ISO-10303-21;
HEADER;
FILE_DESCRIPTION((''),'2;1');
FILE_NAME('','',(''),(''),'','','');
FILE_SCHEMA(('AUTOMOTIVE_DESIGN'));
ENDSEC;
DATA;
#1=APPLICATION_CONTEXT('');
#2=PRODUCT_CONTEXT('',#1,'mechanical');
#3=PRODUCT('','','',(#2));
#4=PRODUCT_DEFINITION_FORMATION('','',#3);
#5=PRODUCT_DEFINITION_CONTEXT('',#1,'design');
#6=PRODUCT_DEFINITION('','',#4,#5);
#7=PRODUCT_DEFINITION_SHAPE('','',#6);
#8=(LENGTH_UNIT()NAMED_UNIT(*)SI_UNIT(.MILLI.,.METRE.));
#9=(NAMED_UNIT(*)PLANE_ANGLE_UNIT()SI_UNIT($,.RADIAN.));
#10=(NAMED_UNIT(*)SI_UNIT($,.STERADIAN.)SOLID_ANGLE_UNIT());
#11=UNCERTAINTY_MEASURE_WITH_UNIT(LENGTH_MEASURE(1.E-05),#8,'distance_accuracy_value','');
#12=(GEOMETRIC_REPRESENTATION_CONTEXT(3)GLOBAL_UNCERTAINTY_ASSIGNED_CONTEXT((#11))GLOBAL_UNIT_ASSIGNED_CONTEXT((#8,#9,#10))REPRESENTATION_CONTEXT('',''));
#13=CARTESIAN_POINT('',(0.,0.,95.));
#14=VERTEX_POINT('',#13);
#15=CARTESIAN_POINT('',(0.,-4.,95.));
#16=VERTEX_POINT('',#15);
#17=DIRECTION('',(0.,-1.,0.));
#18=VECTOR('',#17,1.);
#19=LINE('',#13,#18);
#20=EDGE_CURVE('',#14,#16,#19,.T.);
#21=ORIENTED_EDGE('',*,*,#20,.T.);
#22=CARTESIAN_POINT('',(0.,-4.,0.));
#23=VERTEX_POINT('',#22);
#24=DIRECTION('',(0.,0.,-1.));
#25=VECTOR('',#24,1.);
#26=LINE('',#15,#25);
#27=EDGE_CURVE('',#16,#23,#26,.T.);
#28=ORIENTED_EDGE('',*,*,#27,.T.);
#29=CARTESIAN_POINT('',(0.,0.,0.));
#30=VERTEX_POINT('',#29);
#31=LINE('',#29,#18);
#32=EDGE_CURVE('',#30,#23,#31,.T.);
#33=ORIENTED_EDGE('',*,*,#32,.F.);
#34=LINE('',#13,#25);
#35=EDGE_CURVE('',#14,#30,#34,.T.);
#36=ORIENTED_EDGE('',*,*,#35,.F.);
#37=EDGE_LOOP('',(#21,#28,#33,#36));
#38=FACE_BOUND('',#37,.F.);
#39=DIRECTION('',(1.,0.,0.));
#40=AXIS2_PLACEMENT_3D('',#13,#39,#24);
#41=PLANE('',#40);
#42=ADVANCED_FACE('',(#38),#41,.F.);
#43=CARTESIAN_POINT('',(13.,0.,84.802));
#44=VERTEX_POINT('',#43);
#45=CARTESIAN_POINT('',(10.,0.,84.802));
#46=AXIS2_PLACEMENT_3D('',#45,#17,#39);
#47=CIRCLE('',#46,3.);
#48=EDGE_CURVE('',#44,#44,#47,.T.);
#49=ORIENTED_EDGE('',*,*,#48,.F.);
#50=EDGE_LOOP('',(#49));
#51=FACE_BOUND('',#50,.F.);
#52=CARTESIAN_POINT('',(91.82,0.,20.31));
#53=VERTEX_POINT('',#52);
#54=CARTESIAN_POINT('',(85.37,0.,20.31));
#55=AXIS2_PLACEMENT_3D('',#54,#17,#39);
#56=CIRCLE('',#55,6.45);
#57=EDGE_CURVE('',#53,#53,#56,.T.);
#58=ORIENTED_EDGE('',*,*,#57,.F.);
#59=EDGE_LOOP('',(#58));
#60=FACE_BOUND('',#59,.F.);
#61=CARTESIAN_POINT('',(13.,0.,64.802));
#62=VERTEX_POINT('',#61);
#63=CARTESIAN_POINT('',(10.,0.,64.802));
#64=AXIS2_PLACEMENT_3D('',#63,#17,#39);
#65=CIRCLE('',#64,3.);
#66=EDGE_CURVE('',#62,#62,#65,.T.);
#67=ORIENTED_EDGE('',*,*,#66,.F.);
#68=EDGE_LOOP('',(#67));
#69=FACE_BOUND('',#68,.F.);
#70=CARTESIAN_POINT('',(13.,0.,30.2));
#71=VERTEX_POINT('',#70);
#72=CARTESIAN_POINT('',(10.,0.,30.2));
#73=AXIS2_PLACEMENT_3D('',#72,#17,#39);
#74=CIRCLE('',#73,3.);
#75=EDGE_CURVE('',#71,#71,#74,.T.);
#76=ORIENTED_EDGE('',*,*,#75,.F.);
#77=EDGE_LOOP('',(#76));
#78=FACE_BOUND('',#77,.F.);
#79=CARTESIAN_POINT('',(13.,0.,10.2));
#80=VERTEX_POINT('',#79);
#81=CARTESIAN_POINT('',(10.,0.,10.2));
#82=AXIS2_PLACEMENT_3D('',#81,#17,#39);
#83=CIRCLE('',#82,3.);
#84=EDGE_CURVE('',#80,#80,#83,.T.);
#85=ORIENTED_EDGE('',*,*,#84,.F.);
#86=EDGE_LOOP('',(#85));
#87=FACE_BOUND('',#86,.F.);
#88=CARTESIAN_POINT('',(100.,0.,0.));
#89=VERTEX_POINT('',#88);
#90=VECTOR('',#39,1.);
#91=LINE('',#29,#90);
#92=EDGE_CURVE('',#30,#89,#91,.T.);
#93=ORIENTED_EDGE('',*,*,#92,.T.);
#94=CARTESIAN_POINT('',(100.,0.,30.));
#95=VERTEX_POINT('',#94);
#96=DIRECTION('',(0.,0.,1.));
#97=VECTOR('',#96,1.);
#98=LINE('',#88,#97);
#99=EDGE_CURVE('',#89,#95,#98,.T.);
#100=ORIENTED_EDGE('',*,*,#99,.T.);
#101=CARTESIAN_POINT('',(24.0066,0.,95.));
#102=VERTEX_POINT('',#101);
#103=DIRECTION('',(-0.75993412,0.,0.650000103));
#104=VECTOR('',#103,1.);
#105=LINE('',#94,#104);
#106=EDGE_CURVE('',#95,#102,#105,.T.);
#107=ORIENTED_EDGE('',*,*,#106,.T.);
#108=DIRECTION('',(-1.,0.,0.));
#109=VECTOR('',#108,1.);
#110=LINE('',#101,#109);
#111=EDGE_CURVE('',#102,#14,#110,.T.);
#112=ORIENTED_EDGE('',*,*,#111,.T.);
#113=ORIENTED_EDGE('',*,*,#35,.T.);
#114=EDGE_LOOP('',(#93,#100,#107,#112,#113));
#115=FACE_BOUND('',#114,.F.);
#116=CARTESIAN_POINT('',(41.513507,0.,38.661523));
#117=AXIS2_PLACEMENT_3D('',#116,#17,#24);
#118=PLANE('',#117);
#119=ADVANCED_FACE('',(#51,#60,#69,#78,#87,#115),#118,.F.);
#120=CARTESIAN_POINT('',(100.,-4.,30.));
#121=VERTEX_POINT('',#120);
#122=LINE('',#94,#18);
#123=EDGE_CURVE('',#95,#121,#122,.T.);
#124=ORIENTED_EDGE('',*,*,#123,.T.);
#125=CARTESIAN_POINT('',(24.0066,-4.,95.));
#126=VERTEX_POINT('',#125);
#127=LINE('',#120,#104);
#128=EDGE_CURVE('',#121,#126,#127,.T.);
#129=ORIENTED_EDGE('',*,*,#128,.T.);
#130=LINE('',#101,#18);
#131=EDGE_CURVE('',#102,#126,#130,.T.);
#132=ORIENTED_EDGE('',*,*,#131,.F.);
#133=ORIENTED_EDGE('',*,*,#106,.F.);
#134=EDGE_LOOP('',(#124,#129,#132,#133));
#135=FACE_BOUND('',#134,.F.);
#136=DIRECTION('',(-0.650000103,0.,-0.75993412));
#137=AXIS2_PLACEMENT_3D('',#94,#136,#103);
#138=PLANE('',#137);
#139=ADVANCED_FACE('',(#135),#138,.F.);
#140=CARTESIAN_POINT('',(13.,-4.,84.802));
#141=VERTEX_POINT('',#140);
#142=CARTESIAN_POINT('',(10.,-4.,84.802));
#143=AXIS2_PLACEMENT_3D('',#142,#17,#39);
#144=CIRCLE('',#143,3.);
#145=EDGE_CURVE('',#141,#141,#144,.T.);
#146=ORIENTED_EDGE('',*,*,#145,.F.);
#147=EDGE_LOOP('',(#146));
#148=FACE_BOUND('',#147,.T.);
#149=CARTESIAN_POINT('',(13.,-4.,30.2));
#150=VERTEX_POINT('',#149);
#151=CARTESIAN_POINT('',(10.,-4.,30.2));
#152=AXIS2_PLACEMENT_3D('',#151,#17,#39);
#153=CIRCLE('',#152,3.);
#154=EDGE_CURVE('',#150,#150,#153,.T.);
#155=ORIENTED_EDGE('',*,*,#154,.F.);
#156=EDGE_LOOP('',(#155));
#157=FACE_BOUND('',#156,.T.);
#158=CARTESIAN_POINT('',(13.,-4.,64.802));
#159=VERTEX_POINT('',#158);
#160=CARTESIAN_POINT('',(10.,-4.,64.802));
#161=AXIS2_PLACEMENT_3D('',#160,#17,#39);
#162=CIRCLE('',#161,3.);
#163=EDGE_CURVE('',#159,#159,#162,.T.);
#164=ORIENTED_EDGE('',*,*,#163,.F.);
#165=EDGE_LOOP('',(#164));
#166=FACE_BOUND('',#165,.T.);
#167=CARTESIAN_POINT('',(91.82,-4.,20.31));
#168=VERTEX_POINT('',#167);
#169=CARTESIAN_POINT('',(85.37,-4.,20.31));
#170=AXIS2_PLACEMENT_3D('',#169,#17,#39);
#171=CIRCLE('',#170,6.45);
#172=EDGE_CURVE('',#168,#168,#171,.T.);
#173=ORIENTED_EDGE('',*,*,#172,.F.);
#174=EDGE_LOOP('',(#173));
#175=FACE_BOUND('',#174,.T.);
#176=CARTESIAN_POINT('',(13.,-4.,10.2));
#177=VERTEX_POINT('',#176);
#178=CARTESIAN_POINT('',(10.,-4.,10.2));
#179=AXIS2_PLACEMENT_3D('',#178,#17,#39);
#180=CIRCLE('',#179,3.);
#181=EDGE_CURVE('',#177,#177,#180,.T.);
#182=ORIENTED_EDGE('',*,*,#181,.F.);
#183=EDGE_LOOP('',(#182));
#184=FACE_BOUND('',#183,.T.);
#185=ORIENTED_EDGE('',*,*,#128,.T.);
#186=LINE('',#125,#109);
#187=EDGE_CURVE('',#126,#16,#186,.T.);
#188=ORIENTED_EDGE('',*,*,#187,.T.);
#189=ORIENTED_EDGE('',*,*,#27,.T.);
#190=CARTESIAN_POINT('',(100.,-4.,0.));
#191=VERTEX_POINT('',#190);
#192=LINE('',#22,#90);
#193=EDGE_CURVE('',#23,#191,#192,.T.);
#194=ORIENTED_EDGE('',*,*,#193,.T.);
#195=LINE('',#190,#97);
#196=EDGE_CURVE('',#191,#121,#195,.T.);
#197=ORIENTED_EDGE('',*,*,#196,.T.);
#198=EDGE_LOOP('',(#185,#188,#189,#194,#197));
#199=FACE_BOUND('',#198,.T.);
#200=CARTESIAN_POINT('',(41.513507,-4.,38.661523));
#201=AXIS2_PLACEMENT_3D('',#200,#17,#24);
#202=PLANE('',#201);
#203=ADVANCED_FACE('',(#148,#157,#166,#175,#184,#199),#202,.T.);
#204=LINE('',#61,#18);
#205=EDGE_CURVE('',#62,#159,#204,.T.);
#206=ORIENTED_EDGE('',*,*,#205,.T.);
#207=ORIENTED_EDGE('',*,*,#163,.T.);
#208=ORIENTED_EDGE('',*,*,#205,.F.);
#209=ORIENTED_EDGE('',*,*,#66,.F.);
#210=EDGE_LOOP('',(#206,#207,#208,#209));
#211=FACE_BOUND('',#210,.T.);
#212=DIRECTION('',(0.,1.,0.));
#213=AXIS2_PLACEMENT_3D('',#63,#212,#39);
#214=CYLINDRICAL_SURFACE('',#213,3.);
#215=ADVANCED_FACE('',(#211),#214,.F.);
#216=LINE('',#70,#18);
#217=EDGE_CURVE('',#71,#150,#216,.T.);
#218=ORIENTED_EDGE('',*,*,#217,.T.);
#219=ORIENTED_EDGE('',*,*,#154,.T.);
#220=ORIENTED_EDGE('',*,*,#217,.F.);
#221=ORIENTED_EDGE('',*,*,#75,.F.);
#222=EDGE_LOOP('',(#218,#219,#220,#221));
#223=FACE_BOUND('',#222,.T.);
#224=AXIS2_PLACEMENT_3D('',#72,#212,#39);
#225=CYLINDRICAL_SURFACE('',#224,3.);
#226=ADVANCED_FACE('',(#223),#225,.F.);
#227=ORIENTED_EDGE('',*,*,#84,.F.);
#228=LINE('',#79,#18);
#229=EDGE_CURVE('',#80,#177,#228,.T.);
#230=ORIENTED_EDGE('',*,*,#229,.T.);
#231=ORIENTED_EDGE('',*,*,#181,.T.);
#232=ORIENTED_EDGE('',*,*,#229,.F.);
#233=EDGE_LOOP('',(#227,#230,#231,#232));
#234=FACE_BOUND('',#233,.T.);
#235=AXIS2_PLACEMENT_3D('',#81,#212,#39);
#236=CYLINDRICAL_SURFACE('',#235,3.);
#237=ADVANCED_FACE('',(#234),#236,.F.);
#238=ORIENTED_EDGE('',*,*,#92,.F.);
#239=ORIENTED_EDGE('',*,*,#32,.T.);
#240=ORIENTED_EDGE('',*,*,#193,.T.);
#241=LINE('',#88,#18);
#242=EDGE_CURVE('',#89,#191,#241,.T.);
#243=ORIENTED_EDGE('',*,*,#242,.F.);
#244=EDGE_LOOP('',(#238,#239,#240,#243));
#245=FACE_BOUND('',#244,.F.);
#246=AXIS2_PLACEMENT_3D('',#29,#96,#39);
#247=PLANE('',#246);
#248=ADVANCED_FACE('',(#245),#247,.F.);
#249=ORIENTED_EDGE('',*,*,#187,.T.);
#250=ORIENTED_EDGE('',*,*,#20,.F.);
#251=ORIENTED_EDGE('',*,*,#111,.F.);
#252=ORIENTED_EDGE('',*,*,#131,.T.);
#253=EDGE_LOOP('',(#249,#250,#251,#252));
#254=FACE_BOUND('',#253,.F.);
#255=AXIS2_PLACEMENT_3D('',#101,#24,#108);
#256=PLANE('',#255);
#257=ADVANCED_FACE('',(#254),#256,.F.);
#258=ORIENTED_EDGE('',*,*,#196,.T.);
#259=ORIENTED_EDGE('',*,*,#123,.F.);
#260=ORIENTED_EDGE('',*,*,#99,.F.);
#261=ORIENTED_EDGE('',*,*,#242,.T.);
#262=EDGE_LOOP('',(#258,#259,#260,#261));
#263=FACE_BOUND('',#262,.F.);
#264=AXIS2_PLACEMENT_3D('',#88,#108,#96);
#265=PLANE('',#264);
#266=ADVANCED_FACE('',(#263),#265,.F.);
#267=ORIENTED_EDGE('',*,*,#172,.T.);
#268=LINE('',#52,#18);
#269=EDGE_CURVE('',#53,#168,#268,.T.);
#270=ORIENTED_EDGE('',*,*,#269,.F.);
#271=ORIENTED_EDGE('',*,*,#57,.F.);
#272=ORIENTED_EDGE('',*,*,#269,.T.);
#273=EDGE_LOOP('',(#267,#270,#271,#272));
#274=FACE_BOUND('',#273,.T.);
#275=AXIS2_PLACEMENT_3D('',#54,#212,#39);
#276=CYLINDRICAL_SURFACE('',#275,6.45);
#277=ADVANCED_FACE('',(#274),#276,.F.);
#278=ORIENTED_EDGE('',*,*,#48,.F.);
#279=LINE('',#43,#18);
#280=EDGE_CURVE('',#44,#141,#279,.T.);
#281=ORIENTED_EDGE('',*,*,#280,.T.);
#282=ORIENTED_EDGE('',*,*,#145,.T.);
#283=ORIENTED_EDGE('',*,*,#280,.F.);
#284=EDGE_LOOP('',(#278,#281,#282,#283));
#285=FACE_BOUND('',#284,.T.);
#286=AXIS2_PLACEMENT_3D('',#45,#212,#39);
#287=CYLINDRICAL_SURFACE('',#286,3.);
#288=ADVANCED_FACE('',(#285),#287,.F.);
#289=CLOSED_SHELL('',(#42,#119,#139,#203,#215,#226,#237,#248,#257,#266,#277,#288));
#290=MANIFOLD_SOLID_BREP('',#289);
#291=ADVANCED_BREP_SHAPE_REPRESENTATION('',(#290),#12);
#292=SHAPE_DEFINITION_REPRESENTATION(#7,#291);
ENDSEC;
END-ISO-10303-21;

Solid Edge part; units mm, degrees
sketch "Sketch1" plane through (0, 0, 0) normal (0, -1, 0) x (1, 0, 0)
  circle A0 centre (10, 10.2) radius 3
  circle A1 centre (85.37, 20.31) radius 6.45
  circle A2 centre (10, 30.2) radius 3
  line L0 (24.0066, 95) -> (0, 95)
  line L1 (0, 95) -> (0, 0)
  line L2 (0, 0) -> (100, 0)
  line L3 (100, 0) -> (100, 30)
  line L4 (100, 30) -> (24.0066, 95)
  circle A3 centre (10, 84.802) radius 3
  circle A4 centre (10, 64.802) radius 3
  dimension "D1" = 85.37
  dimension "D2" = 20.31
  dimension "D3" = 30
  dimension "D4" = 100
  dimension "D5" = 100
  dimension "D6" = 95
  dimension "D7" = 12.9
  dimension "D8" = 10
  dimension "D9" = 10.198
  dimension "D10" = 6
  dimension "D11" = 10.2
  dimension "D12" = 20
  dimension "D13" = 20
  dimension "D14" = 34.602
extrude "Protrusion1" add sketch "Sketch1" along normal blind 4
